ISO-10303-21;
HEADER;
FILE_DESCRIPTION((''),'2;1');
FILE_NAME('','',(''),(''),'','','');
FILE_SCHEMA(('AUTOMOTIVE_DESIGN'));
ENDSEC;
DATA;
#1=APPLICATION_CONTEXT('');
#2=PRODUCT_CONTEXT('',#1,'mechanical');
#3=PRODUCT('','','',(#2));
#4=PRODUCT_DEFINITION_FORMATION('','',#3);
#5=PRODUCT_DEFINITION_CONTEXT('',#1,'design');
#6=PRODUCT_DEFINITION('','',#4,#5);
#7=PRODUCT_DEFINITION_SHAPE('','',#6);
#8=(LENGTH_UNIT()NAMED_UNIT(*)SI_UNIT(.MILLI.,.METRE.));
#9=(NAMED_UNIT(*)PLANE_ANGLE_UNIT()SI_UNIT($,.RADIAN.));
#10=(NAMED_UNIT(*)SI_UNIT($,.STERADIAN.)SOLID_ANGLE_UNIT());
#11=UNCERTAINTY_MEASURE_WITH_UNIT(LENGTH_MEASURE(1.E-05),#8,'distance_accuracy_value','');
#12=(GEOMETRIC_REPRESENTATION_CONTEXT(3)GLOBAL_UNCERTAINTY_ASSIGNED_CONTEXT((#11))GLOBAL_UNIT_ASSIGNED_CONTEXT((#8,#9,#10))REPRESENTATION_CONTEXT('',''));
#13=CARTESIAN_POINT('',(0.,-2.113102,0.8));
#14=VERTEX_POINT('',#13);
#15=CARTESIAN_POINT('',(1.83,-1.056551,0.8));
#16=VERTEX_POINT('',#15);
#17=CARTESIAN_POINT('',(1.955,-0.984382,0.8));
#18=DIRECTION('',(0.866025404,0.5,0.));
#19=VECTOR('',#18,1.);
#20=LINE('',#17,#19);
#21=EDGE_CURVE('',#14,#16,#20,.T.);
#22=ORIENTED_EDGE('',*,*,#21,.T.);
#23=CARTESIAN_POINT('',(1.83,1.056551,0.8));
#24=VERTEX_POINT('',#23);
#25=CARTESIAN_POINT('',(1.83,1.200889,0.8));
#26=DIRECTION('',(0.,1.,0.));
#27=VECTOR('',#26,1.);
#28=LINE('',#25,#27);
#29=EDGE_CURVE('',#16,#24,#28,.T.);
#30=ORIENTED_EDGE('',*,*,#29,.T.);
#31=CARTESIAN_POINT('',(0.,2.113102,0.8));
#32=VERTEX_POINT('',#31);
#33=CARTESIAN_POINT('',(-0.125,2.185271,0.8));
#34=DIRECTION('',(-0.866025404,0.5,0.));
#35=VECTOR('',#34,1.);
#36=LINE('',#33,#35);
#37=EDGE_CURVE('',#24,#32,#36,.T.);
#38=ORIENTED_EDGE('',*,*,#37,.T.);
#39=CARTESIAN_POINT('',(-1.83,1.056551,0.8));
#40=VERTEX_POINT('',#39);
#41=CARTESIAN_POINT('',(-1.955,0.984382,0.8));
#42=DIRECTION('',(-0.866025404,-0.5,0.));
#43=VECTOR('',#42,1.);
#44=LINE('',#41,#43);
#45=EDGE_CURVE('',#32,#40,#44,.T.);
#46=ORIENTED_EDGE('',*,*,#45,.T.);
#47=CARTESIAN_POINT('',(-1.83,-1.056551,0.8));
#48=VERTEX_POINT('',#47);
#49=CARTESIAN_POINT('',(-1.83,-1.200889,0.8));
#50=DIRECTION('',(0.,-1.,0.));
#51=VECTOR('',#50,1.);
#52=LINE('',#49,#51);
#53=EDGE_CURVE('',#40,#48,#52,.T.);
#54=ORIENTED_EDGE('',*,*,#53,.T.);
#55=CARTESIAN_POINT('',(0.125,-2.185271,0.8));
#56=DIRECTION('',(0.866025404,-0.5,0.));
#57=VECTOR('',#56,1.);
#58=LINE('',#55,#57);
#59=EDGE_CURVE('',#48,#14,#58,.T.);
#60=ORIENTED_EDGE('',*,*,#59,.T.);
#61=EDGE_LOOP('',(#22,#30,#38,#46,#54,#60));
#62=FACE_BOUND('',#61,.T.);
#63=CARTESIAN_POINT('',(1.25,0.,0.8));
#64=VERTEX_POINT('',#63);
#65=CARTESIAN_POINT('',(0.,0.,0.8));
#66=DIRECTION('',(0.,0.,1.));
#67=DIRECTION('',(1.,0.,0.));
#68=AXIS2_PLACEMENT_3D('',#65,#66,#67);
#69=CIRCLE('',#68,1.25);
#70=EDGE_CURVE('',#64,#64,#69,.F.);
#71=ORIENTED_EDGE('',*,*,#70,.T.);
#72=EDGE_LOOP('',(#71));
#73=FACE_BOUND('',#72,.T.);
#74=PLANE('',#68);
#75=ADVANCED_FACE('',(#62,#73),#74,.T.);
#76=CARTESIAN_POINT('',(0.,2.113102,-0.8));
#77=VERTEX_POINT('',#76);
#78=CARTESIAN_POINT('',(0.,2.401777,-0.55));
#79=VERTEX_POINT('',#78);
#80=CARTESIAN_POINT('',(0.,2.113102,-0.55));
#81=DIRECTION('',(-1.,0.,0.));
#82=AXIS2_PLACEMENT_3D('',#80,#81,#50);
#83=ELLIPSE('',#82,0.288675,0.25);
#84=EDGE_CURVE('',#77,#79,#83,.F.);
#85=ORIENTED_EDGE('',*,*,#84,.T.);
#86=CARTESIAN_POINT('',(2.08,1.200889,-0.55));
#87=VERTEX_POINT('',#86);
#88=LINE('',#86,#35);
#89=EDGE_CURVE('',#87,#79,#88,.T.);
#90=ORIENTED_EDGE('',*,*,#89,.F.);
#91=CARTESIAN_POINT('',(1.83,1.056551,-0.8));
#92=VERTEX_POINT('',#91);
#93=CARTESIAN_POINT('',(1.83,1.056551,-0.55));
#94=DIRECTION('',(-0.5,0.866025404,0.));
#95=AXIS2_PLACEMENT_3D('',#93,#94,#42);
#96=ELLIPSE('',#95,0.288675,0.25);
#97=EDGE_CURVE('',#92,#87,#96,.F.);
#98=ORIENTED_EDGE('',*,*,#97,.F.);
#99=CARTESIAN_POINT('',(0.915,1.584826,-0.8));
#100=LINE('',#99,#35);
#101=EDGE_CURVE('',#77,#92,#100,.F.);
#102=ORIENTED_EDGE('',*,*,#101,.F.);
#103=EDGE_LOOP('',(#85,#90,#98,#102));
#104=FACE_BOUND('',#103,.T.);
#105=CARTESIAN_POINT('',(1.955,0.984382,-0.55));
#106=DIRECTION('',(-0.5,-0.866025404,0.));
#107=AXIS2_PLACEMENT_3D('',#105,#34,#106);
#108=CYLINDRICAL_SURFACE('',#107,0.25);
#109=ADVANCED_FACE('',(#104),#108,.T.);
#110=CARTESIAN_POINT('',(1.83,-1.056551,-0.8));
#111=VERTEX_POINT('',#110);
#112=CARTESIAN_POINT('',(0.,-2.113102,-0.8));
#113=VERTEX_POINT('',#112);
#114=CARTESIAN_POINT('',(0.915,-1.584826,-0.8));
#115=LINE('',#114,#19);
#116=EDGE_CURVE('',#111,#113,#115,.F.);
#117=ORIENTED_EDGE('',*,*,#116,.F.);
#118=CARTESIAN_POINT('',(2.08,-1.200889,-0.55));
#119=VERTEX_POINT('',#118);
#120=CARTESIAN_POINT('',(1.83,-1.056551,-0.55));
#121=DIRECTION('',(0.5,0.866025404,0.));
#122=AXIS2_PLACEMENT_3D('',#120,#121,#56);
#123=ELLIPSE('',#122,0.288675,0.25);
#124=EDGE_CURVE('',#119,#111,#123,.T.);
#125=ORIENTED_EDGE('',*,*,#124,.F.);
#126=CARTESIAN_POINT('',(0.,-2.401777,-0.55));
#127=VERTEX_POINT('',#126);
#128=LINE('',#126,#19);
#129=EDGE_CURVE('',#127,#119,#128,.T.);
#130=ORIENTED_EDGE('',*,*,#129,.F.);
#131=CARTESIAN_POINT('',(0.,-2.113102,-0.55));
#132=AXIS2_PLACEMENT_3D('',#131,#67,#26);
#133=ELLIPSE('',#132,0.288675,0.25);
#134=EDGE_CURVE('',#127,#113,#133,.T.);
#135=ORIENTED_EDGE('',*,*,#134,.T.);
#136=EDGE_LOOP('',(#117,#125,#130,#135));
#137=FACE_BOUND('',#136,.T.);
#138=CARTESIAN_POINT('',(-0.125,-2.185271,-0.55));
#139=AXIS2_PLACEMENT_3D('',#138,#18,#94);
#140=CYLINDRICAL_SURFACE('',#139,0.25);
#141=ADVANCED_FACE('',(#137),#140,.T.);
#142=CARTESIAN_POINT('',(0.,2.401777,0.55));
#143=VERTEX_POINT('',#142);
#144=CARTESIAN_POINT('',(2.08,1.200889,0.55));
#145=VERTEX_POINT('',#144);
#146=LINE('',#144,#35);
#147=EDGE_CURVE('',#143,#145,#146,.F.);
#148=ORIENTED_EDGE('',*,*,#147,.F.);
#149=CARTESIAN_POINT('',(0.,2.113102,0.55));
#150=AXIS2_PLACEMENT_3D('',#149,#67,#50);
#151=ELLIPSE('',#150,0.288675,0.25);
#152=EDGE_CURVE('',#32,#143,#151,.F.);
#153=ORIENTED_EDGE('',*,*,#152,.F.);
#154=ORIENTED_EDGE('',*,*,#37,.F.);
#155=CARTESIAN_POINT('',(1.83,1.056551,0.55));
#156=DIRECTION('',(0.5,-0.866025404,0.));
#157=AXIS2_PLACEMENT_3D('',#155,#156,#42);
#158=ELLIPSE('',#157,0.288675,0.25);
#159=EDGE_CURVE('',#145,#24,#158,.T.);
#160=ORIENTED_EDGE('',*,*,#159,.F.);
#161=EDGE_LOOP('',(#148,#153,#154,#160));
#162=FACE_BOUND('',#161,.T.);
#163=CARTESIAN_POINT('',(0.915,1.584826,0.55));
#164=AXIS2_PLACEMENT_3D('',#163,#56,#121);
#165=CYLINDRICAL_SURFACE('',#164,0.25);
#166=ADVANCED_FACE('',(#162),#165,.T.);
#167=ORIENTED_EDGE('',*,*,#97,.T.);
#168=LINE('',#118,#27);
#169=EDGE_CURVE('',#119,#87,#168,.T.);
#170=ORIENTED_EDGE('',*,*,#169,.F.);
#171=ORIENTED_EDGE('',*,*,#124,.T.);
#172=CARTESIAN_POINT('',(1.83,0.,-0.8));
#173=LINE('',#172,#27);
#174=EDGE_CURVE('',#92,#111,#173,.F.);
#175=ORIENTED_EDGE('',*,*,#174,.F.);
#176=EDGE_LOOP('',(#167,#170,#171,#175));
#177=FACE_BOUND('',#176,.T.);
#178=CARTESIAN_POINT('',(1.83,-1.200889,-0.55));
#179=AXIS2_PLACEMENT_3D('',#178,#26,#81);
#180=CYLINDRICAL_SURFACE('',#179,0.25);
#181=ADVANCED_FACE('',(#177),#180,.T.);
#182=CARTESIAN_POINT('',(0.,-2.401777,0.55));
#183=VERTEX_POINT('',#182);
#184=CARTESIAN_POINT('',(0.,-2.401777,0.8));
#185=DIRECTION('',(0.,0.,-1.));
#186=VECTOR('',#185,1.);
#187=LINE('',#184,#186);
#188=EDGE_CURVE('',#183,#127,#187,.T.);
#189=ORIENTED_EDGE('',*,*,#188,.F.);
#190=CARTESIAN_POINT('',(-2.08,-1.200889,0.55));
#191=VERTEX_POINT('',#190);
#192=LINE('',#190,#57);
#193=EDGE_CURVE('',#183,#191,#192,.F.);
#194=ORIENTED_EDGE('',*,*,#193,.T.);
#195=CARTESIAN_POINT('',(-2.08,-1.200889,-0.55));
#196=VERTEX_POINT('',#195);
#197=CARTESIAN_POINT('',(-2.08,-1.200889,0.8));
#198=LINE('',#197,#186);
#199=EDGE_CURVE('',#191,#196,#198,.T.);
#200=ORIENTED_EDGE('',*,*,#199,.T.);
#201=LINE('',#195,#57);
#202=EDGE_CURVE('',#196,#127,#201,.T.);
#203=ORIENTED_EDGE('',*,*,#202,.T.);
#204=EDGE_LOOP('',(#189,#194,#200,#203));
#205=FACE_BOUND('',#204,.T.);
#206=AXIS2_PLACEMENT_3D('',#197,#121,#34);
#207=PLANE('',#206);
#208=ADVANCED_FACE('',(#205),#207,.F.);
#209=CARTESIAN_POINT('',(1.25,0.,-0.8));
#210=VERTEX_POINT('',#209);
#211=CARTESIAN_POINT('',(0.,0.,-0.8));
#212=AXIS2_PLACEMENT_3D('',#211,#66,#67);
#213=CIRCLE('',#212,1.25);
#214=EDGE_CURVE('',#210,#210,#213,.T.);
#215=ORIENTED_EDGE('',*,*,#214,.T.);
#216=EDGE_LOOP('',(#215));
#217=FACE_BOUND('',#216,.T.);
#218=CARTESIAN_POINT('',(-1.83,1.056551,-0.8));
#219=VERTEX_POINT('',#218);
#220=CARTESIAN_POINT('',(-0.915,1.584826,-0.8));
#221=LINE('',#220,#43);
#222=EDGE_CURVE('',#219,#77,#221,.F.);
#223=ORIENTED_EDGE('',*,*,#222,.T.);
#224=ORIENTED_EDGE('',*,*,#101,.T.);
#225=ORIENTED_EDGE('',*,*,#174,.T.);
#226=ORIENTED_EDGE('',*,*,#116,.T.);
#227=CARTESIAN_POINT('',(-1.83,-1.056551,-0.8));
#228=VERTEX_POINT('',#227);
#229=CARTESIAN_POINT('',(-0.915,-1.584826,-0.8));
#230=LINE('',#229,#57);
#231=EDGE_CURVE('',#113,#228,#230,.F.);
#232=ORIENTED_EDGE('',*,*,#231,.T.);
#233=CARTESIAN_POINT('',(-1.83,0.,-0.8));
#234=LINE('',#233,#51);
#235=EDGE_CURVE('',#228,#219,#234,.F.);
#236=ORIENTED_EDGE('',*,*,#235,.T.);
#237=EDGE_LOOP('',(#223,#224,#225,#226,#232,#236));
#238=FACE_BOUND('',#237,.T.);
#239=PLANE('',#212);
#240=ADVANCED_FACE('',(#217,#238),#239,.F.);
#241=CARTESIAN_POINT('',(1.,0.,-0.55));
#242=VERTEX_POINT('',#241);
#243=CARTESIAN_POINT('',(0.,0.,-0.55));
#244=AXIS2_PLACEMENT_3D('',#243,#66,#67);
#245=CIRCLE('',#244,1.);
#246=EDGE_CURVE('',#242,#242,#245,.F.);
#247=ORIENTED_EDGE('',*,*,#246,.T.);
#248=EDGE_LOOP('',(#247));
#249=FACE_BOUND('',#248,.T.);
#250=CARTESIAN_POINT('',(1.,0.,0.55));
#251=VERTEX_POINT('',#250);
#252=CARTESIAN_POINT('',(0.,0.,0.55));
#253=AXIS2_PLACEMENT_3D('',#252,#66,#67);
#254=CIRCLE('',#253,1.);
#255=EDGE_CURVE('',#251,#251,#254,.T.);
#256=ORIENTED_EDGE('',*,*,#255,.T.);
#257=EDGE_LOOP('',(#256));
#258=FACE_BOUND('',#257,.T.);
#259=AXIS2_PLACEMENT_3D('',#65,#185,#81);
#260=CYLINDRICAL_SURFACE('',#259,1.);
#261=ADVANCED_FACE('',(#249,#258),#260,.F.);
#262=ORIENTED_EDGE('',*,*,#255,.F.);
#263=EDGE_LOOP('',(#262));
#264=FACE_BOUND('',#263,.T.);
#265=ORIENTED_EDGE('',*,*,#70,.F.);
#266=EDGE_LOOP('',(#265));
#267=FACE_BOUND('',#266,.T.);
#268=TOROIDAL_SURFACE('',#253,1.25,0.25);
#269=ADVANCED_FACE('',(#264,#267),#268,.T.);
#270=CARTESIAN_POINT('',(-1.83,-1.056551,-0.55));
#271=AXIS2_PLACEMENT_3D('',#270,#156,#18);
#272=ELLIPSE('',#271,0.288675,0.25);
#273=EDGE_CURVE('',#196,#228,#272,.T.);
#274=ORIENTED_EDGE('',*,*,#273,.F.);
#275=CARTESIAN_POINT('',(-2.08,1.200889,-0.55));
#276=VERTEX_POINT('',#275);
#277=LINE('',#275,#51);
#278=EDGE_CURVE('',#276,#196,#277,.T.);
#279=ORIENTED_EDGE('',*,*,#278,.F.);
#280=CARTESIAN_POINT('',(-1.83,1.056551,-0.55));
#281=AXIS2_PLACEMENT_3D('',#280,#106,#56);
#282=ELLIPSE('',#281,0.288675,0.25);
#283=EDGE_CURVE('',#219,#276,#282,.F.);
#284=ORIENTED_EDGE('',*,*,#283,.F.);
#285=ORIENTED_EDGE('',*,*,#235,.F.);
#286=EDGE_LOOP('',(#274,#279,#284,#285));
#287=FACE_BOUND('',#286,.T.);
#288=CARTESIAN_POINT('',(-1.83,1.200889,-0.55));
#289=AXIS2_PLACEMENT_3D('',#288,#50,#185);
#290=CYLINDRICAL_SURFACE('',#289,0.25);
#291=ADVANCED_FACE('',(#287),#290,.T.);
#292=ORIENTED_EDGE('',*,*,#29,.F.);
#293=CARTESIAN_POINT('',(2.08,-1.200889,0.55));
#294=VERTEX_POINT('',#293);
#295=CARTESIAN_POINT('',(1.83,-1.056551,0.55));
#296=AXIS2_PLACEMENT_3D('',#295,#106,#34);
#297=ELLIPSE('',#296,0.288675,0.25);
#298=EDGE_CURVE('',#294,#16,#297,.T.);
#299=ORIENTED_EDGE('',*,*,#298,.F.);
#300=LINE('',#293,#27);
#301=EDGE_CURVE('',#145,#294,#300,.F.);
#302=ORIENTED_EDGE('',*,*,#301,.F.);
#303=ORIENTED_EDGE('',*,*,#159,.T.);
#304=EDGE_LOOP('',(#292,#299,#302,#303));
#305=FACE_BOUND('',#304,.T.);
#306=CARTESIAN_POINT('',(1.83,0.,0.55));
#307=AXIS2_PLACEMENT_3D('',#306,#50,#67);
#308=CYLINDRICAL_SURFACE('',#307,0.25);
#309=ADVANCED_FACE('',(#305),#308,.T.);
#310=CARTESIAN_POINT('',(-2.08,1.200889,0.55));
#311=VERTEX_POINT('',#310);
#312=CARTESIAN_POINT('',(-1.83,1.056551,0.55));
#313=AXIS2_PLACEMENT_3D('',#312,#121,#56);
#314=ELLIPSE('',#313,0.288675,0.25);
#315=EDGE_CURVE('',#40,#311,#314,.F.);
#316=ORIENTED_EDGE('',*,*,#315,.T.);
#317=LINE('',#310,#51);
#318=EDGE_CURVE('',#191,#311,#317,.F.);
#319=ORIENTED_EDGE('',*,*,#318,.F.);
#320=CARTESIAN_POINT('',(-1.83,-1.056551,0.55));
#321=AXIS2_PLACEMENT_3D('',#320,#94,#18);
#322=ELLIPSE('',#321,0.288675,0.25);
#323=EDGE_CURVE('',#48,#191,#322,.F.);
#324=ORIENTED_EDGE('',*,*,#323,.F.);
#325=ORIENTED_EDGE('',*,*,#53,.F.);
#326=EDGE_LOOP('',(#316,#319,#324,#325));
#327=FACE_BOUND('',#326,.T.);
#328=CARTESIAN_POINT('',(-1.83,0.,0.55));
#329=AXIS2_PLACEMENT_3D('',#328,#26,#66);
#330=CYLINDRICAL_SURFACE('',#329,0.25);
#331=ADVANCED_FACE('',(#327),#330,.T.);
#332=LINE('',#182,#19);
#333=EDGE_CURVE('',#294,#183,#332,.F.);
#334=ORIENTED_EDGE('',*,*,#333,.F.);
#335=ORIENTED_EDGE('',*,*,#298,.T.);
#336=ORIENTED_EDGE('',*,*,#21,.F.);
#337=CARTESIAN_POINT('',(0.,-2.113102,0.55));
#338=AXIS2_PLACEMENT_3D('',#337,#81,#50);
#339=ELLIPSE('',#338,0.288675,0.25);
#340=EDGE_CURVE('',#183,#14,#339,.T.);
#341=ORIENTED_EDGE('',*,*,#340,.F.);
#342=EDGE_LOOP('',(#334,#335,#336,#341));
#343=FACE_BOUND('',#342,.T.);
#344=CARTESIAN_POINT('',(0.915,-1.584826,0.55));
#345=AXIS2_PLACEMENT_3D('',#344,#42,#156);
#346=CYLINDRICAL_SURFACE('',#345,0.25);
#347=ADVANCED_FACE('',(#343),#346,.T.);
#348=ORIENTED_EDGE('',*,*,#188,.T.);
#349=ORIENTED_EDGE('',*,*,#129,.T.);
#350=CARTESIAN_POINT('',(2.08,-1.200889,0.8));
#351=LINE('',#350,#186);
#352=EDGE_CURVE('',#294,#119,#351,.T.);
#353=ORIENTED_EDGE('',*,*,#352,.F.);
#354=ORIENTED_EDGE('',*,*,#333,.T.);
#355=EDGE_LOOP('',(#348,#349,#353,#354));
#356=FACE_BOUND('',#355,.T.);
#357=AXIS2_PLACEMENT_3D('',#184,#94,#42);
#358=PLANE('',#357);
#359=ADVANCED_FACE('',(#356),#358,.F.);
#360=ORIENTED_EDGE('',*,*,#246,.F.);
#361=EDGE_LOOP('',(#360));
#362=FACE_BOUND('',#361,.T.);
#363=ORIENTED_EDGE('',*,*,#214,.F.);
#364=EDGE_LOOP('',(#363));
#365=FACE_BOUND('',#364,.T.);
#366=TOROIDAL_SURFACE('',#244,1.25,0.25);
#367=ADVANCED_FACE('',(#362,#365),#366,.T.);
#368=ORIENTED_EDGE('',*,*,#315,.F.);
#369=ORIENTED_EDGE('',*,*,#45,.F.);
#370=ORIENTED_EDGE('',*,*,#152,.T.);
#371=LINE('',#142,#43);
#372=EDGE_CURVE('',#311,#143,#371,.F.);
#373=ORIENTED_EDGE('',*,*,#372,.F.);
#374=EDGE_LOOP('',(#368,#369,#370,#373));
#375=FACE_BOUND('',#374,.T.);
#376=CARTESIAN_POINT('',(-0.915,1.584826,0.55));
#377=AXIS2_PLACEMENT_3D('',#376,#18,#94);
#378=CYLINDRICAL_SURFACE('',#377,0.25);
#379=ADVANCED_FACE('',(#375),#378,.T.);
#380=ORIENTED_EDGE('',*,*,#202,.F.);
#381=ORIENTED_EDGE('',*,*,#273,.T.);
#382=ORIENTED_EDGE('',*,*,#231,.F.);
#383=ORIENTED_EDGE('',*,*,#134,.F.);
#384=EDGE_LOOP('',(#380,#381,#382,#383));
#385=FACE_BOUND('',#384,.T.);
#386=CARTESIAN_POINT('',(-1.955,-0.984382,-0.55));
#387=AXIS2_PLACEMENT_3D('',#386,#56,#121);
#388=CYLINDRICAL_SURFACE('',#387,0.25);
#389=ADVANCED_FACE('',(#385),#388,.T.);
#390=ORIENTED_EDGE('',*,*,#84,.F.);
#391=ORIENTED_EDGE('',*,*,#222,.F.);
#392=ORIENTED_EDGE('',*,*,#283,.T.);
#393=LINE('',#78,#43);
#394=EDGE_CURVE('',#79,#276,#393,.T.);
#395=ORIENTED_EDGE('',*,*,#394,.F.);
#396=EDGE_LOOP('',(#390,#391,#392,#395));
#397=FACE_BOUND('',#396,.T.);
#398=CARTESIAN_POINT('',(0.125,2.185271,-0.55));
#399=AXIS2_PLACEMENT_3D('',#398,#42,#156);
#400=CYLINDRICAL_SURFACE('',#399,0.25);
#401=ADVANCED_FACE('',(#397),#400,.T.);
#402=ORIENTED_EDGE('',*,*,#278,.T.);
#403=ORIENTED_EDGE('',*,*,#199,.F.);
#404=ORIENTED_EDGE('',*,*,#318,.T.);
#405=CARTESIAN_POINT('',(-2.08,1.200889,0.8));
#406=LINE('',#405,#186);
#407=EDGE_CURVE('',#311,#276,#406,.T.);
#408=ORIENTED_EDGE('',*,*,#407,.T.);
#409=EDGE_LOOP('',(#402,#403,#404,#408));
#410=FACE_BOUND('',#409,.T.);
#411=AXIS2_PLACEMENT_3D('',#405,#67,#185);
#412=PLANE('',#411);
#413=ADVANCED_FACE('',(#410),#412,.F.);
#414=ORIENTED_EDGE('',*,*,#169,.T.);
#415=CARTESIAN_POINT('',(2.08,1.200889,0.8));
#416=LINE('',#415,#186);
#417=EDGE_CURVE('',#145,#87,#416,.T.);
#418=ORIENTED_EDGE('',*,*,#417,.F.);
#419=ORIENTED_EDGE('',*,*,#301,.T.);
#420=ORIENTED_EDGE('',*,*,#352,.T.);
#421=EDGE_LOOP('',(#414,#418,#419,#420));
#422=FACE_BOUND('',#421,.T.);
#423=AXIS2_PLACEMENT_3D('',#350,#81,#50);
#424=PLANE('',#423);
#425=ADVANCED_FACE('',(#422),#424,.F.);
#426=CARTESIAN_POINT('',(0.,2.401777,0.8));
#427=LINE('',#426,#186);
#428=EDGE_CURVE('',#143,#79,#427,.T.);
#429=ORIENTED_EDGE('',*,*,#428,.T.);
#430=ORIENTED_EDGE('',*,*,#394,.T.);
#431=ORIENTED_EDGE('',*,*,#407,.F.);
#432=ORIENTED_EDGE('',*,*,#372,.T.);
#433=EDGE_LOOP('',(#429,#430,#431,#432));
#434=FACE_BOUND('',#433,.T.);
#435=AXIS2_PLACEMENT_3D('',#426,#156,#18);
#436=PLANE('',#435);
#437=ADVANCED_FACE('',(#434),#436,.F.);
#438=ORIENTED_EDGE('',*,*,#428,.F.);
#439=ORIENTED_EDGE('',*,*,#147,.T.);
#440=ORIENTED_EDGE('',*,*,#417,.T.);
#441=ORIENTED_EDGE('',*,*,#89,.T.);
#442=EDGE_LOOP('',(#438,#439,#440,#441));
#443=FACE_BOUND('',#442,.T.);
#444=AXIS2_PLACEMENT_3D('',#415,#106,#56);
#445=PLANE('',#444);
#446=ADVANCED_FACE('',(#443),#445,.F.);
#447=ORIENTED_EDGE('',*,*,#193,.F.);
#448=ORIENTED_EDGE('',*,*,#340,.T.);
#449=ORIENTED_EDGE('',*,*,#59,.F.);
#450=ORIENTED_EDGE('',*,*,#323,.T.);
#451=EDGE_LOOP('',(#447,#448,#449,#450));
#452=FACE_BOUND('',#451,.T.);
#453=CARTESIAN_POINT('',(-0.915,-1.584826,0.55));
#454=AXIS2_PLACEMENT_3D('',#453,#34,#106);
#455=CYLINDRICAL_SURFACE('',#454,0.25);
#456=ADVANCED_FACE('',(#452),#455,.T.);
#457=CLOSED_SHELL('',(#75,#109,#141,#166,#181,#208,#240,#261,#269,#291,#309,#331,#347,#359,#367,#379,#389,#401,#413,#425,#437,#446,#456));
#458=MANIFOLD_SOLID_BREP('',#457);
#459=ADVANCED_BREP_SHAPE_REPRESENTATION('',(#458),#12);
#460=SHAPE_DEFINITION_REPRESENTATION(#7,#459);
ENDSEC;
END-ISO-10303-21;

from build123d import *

# Parameters (mm, degrees)
SKETCH1_R           = 1
BOSS_EXTRUDE1_DEPTH = 0.8
FILLET1_R           = 0.25


with BuildPart() as part:
    # Sketch1 → Boss-Extrude1 (new, symmetric)
    with BuildSketch(Plane.XY):
        Polygon((2.08, -1.20088856), (2.08, 1.20088856), (0, 2.40177712), (-2.08, 1.20088856), (-2.08, -1.20088856), (0, -2.40177712), align=None)
        Circle(SKETCH1_R, mode=Mode.SUBTRACT)
    extrude(amount=BOSS_EXTRUDE1_DEPTH, both=True)

    # Fillet1
    fillet1_edges = [part.edges().sort_by_distance(p)[0] for p in [
        (1.04, 1.80133284, 0.8),
        (-1.04, 1.80133284, 0.8),
        (-1, 0, -0.8),
        (-1, 0, 0.8),
        (-2.08, 0, 0.8),
        (-1.04, -1.80133284, 0.8),
        (1.04, -1.80133284, 0.8),
        (-1.04, -1.80133284, -0.8),
        (-2.08, 0, -0.8),
        (-1.04, 1.80133284, -0.8),
        (1.04, 1.80133284, -0.8),
        (2.08, 0, -0.8),
        (1.04, -1.80133284, -0.8),
        (2.08, 0, 0.8),
    ]]
    fillet(fillet1_edges, radius=FILLET1_R)


solid = part.part
